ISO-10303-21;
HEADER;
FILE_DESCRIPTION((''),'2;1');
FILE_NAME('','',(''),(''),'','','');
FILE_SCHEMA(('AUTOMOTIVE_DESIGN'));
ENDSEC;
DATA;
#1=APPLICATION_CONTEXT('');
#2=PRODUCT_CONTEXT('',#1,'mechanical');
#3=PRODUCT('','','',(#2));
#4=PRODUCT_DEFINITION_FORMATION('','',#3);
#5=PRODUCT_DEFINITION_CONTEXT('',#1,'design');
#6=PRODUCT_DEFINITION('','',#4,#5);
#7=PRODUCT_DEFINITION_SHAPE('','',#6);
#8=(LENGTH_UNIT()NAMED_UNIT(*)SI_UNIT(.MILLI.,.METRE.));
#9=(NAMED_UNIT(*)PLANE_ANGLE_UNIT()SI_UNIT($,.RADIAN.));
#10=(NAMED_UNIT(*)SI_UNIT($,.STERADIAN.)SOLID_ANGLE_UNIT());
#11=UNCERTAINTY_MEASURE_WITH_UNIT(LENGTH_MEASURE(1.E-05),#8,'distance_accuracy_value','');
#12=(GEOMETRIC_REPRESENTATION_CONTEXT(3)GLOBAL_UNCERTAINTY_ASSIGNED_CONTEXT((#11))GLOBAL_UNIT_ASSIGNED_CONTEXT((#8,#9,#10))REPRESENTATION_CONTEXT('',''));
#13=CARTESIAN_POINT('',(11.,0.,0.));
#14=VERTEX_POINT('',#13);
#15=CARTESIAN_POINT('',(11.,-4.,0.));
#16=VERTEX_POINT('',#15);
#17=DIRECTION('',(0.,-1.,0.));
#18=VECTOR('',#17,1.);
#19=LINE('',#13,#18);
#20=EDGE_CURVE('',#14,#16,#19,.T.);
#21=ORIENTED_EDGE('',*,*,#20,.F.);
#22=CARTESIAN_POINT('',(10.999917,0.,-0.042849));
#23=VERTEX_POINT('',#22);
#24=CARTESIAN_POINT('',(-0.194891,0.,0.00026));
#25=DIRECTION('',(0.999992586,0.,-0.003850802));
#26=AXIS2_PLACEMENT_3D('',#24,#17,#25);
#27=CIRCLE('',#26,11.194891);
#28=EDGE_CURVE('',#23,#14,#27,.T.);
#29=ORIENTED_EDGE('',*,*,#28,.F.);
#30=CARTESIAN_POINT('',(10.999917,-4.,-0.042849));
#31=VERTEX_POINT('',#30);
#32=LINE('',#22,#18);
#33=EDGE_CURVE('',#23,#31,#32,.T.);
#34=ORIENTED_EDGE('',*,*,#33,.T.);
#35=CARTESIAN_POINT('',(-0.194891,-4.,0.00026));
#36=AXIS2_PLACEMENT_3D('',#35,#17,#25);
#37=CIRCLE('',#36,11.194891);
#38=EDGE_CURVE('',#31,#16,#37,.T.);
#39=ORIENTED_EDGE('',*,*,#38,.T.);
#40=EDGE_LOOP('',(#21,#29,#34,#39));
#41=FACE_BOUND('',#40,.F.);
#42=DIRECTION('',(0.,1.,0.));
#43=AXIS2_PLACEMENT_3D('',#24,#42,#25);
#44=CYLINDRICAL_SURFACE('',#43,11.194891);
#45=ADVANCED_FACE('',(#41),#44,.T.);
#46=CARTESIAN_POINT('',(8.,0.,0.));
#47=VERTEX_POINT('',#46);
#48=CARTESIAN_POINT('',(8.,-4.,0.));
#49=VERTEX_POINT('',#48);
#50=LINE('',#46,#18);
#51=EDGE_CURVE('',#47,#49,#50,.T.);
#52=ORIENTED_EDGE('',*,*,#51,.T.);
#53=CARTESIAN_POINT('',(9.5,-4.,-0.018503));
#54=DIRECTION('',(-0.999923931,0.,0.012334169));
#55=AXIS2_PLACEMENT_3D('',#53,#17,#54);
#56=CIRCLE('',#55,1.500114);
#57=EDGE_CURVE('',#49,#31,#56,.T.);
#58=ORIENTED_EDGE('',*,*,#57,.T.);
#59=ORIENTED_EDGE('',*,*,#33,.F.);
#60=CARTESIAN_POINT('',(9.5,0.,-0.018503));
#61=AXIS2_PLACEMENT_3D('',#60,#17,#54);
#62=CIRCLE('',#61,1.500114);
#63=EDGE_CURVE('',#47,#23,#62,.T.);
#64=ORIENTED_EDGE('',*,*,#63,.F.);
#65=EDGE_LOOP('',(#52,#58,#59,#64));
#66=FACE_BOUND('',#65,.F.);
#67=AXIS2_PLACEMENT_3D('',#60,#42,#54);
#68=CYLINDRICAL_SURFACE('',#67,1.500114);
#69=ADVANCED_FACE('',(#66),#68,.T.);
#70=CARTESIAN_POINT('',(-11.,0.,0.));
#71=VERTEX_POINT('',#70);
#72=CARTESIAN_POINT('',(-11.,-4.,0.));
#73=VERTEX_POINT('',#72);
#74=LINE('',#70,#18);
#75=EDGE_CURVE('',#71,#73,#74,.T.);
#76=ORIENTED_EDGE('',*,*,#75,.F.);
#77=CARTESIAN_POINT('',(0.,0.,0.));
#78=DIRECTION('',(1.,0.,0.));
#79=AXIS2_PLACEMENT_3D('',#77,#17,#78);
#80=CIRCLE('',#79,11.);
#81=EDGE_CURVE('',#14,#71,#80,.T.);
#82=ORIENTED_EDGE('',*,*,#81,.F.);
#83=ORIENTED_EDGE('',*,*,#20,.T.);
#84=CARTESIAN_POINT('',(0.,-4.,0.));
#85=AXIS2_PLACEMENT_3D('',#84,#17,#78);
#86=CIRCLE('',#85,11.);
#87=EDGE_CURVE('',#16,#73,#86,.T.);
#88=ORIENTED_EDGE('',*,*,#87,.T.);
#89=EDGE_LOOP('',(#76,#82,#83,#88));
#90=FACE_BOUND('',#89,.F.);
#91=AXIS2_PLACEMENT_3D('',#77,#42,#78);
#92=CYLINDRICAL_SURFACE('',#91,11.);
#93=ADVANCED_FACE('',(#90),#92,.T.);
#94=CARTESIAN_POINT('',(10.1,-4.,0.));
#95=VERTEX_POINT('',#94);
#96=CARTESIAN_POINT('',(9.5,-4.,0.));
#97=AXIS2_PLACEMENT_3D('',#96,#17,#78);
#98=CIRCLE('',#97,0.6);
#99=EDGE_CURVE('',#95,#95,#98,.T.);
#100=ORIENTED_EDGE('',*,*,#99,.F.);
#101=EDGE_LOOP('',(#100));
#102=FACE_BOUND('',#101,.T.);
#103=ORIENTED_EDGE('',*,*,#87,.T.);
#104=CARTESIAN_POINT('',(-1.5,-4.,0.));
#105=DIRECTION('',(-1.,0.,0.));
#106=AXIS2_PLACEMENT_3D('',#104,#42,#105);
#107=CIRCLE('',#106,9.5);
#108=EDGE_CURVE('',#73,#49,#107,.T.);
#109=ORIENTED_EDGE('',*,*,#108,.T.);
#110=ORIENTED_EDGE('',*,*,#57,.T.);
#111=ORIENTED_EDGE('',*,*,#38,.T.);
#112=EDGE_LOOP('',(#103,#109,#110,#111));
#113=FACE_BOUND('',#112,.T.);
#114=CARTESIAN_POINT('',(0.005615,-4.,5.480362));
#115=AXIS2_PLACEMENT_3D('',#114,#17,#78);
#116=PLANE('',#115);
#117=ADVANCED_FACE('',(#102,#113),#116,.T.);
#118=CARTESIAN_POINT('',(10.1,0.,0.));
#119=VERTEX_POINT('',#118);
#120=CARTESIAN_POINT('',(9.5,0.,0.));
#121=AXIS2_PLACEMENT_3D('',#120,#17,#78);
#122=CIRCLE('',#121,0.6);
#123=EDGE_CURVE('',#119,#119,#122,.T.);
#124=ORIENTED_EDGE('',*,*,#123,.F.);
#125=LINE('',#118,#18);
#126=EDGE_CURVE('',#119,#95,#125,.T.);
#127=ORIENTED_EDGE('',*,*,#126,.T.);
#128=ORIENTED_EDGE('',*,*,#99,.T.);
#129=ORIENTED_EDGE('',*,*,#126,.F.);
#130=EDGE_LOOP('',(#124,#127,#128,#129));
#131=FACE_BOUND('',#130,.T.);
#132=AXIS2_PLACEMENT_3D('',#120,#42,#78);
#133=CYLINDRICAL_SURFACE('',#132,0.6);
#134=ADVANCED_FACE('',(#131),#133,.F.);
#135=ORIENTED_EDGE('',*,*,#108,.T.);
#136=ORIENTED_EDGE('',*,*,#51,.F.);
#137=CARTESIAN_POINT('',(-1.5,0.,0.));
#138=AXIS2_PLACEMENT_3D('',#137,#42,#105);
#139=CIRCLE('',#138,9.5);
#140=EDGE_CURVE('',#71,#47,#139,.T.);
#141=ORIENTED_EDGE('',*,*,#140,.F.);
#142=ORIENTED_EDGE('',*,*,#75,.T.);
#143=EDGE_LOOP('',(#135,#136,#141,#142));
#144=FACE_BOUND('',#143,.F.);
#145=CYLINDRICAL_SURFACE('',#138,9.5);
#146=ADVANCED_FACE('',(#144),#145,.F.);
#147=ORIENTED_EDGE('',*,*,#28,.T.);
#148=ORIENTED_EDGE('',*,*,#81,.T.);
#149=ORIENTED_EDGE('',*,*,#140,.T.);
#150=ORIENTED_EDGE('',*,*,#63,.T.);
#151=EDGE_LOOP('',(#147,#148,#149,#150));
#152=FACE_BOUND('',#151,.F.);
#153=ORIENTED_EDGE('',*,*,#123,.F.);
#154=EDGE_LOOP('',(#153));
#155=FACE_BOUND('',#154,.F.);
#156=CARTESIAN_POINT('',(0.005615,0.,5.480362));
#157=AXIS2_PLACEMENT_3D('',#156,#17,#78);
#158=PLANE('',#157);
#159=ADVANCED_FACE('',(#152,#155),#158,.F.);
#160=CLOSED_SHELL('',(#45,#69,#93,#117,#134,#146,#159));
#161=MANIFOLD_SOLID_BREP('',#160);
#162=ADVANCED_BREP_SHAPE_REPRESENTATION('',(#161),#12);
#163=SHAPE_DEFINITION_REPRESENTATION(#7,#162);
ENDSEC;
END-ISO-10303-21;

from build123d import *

# Parameters (mm, degrees)
F0_R     = 0.6
F1_DEPTH = 4


with BuildPart() as f1:
    # F0 (on Front) → F1 (new body)
    with BuildSketch(Plane.XZ):
        with BuildLine():
            ThreePointArc((8, 0), (9.478575, -1.518464), (10.999917, -0.042849))
            ThreePointArc((10.999917, -0.042849), (10.999979, -0.021425), (11, 0))
            ThreePointArc((11, 0), (0, 11), (-11, 0))
            ThreePointArc((-11, 0), (-1.5, 9.5), (8, 0))
        make_face()
        with Locations((9.5, 0)):
            Circle(F0_R, mode=Mode.SUBTRACT)
    extrude(amount=F1_DEPTH)


solid = f1.part
